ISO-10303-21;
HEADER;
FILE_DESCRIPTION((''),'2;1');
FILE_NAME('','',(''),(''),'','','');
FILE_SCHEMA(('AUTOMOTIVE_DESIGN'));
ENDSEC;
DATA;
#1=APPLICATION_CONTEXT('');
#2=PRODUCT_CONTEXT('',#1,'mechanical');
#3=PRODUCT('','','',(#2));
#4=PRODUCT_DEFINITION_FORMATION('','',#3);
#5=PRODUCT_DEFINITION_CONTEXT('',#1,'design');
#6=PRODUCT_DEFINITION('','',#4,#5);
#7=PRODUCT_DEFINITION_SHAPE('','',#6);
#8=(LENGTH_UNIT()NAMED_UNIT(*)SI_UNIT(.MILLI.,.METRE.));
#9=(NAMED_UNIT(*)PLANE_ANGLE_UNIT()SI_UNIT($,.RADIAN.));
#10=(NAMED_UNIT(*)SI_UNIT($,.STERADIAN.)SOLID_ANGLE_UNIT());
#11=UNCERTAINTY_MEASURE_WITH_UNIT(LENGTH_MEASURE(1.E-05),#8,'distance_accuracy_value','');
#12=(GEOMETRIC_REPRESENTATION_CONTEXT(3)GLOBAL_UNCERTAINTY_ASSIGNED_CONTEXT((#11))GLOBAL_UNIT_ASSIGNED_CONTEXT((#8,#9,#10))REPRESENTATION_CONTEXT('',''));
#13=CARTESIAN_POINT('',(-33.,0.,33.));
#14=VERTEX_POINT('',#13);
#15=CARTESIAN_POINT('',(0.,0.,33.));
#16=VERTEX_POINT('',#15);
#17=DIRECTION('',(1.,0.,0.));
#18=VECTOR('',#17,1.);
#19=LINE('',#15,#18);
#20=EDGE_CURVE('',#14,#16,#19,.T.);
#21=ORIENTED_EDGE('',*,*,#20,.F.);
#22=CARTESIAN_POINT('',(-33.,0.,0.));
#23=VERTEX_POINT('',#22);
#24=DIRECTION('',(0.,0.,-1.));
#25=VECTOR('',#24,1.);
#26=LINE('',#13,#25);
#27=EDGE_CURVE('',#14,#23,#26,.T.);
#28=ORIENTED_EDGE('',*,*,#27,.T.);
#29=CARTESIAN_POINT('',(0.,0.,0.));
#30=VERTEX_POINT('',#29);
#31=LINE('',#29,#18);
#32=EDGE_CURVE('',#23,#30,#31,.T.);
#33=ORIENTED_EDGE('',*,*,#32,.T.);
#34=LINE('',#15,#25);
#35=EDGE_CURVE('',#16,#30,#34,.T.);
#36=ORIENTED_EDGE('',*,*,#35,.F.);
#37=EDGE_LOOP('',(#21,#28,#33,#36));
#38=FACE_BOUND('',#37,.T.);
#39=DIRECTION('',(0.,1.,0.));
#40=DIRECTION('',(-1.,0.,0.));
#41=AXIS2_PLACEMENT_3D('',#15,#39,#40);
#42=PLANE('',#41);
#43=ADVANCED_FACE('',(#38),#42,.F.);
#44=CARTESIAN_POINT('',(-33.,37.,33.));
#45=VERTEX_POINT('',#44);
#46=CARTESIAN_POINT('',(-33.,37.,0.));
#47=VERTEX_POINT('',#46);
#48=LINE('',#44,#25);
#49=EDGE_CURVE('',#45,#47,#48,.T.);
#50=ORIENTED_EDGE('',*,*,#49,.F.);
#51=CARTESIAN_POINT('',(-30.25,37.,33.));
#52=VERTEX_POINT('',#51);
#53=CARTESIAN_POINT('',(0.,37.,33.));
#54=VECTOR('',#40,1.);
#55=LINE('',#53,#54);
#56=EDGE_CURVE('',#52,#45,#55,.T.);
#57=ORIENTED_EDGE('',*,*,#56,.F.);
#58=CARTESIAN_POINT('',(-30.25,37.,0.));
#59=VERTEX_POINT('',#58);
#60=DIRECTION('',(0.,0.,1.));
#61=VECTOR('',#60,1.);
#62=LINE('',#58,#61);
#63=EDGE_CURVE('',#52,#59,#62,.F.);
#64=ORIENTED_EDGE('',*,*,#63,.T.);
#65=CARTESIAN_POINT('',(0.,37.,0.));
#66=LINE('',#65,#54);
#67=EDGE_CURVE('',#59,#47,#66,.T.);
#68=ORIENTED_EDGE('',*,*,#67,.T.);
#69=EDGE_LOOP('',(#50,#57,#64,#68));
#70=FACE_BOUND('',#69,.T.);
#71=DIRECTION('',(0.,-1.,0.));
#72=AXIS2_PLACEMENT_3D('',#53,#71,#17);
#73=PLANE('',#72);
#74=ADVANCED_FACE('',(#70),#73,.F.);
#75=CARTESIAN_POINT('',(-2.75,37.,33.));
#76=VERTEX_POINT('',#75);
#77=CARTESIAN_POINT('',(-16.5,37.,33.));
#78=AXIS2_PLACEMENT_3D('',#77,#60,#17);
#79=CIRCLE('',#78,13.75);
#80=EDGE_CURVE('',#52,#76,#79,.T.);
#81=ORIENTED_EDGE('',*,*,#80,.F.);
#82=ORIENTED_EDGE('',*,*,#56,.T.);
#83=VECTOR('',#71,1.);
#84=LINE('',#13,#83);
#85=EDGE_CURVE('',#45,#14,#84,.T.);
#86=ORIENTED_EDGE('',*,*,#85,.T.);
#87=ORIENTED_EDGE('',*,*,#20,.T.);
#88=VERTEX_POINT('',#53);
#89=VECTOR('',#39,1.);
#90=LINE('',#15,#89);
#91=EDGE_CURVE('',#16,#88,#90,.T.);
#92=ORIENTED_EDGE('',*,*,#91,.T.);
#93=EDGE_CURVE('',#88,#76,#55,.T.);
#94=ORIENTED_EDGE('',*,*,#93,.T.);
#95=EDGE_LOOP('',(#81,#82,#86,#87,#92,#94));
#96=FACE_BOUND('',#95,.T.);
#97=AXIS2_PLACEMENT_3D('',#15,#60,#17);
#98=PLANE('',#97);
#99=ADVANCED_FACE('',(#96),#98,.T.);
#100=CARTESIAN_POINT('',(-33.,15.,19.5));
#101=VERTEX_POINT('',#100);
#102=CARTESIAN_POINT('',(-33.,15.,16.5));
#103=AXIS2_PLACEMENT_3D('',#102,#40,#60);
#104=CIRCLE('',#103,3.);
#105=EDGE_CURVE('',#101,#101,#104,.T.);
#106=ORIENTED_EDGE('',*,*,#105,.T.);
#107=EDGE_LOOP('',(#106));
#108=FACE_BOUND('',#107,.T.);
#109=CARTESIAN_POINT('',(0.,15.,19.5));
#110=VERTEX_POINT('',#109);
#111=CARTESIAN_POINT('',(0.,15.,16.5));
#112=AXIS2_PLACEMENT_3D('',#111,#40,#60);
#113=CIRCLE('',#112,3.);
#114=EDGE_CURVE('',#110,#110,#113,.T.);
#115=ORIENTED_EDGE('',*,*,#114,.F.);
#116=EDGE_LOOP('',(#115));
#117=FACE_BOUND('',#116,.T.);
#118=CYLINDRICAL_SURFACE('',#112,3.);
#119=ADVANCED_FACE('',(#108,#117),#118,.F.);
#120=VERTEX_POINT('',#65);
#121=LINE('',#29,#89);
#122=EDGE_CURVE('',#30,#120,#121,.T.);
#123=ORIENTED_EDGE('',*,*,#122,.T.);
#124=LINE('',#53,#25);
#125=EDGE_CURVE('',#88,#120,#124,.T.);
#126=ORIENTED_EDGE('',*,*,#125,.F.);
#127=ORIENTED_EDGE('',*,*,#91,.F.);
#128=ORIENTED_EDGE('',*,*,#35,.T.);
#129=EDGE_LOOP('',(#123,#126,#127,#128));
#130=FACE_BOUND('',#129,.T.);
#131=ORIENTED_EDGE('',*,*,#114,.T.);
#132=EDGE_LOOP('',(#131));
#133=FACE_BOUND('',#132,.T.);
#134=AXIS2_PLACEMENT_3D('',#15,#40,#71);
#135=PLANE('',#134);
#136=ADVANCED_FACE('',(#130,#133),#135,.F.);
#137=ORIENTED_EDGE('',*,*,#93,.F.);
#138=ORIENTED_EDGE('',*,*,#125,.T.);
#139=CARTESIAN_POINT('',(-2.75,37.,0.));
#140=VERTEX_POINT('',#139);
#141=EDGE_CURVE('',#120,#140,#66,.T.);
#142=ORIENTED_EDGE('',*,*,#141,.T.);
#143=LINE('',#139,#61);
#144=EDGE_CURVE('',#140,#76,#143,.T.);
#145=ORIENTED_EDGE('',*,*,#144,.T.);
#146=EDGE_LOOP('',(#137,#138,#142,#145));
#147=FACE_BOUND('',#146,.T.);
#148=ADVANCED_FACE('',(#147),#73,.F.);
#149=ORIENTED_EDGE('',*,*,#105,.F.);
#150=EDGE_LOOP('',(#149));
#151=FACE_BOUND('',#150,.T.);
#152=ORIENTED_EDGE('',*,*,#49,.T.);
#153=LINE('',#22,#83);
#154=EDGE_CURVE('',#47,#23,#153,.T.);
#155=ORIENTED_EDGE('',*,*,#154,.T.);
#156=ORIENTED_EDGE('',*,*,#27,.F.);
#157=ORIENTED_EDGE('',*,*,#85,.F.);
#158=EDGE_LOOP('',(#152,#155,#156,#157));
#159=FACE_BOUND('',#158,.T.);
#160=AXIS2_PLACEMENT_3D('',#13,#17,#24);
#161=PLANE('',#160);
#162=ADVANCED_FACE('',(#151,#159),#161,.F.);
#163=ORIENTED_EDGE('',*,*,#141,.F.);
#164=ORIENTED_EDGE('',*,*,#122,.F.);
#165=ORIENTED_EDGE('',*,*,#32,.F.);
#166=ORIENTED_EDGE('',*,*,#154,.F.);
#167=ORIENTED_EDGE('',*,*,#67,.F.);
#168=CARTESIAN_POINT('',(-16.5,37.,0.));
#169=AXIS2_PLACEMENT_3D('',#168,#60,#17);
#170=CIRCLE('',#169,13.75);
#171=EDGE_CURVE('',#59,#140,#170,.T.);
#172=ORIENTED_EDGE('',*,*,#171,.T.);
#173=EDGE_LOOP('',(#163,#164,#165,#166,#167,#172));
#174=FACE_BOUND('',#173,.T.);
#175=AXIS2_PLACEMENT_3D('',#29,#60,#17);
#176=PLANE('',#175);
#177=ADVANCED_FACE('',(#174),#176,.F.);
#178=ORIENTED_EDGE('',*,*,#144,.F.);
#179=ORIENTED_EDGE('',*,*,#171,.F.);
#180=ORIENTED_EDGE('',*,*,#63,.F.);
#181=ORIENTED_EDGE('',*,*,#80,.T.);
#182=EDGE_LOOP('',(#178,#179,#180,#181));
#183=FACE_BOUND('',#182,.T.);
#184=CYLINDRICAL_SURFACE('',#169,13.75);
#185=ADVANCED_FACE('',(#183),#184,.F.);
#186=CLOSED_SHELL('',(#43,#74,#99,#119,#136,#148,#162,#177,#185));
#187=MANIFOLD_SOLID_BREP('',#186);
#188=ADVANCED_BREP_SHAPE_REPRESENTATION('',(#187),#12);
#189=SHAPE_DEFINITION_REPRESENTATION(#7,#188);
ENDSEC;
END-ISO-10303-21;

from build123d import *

# Parameters (mm, degrees)
SKETCH1_W           = 33
SKETCH1_H           = 37
BOSS_EXTRUDE1_DEPTH = 33
SKETCH2_R           = 13.75
CUT_EXTRUDE1_DEPTH  = 33
SKETCH3_R           = 3
CUT_EXTRUDE2_DEPTH  = 33


with BuildPart() as part:
    # Sketch1 → Boss-Extrude1 (new body)
    with BuildSketch(Plane.XY):
        with Locations((-16.5, 18.5)):
            Rectangle(SKETCH1_W, SKETCH1_H)
    extrude(amount=BOSS_EXTRUDE1_DEPTH)

    # Sketch2 → Cut-Extrude1 (cut)
    with BuildSketch(Plane.XY.offset(33)):
        with Locations((-16.5, 37)):
            Circle(SKETCH2_R)
    extrude(amount=-CUT_EXTRUDE1_DEPTH, mode=Mode.SUBTRACT)

    # Sketch3 → Cut-Extrude2 (cut)
    with BuildSketch(Plane.ZY.offset(33)):
        with Locations((16.5, 15)):
            Circle(SKETCH3_R)
    extrude(amount=-CUT_EXTRUDE2_DEPTH, mode=Mode.SUBTRACT)


solid = part.part
